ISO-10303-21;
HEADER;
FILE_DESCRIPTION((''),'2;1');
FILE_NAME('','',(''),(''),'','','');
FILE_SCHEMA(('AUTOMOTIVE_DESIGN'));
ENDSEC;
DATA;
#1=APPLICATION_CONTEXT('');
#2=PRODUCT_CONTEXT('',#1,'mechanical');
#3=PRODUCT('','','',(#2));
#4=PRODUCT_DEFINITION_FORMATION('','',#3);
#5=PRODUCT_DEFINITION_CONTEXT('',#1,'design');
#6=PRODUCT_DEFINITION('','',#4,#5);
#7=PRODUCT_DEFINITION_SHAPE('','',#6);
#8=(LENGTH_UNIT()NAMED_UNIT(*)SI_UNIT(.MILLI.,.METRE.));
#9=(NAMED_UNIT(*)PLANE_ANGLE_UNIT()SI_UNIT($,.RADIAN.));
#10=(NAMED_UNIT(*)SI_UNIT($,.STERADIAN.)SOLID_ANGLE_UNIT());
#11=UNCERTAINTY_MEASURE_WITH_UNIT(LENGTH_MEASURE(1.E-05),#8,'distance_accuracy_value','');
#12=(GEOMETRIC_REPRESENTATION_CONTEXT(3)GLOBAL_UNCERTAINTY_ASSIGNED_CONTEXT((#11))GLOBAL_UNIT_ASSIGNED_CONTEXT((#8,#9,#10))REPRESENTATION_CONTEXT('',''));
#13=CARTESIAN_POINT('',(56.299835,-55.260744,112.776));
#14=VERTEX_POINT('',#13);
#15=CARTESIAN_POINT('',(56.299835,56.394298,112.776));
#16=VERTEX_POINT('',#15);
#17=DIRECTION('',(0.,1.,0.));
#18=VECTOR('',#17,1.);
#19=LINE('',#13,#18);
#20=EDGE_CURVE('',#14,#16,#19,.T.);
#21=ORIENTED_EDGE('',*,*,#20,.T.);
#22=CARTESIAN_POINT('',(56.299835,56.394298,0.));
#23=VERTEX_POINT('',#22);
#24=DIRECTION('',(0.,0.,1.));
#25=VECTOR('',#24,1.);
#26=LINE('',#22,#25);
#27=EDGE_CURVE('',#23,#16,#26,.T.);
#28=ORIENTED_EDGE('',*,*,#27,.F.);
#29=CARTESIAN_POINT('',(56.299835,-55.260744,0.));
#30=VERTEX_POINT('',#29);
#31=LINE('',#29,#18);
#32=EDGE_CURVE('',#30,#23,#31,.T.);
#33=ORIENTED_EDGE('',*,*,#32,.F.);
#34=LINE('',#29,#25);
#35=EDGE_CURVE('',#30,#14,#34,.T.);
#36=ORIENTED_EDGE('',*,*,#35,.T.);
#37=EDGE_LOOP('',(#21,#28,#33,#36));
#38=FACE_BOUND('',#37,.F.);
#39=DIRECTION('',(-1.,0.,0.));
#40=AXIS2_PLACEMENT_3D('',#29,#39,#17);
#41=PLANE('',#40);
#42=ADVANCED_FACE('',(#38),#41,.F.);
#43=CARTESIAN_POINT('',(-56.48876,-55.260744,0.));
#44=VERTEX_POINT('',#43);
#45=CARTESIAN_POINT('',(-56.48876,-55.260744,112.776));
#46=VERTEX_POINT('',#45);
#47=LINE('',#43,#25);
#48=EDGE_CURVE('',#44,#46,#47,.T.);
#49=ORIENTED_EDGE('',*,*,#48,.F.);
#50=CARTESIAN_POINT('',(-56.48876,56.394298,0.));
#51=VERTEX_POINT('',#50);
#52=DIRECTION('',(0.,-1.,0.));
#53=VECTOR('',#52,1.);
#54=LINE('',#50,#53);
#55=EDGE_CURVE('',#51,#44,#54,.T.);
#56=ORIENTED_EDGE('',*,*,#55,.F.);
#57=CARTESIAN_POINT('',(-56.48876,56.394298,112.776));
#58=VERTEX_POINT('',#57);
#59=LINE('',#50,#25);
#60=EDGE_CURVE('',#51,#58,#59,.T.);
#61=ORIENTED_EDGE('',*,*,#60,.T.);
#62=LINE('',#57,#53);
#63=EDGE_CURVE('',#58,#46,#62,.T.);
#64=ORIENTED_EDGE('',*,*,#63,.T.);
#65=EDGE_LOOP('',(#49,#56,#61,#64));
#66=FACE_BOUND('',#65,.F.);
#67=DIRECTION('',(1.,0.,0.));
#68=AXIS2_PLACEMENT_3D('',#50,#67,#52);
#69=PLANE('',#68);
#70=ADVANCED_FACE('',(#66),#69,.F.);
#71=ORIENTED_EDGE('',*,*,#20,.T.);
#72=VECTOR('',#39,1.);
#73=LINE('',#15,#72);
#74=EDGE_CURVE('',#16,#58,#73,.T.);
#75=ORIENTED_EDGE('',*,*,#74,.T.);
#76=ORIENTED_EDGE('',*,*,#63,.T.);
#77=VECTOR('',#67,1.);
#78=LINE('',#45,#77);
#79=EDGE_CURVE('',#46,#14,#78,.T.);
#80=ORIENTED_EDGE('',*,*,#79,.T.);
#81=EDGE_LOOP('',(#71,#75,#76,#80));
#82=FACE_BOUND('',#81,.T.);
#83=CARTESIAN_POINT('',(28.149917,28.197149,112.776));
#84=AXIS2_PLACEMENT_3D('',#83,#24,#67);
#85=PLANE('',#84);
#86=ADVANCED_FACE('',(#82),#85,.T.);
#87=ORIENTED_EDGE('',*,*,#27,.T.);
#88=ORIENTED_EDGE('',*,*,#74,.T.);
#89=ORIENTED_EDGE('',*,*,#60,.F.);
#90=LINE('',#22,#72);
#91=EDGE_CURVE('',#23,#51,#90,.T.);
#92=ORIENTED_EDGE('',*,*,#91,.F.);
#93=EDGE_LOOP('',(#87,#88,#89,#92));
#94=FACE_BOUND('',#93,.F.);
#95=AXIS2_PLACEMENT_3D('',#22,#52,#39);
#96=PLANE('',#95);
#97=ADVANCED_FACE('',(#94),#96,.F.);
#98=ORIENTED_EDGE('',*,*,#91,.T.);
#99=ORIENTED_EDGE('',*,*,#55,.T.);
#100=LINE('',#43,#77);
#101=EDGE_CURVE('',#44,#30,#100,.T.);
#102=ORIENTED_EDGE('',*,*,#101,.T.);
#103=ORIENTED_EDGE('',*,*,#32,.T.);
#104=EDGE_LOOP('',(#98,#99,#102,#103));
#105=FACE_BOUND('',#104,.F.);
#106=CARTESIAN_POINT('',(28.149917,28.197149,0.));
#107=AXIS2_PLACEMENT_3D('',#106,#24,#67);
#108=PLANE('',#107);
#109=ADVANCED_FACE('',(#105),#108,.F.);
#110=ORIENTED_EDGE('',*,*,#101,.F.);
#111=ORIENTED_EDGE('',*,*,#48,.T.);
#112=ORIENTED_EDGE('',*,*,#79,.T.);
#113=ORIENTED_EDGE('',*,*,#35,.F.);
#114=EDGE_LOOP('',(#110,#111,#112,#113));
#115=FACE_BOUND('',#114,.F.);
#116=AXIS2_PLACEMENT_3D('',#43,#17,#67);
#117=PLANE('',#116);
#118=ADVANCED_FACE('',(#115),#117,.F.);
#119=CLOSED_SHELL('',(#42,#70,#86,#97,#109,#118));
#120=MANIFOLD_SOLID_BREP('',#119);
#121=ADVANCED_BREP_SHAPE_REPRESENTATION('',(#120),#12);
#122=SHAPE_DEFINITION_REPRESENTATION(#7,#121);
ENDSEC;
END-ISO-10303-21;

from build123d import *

# Parameters (mm, degrees)
F0_W     = 56.299835
F0_H     = 56.394298
F0_H_2   = 55.260744
F1_DEPTH = 112.776


with BuildPart() as f1:
    # F0 (on Top) → F1 (new body)
    with BuildSketch(Plane.XY):
        with Locations((28.149917, 28.197149)):
            Rectangle(F0_W, F0_H)
        Polygon((0, 0), (0, 56.394298), (-56.48876, 56.394298), (-56.48876, 0), (-3.778512, 0), align=None)
        with Locations((28.149917, -27.630372)):
            Rectangle(F0_W, F0_H_2)
        Polygon((0, -55.260744), (0, 0), (-3.778512, 0), (-56.48876, 0), (-56.48876, -55.260744), align=None)
    extrude(amount=F1_DEPTH)


solid = f1.part
